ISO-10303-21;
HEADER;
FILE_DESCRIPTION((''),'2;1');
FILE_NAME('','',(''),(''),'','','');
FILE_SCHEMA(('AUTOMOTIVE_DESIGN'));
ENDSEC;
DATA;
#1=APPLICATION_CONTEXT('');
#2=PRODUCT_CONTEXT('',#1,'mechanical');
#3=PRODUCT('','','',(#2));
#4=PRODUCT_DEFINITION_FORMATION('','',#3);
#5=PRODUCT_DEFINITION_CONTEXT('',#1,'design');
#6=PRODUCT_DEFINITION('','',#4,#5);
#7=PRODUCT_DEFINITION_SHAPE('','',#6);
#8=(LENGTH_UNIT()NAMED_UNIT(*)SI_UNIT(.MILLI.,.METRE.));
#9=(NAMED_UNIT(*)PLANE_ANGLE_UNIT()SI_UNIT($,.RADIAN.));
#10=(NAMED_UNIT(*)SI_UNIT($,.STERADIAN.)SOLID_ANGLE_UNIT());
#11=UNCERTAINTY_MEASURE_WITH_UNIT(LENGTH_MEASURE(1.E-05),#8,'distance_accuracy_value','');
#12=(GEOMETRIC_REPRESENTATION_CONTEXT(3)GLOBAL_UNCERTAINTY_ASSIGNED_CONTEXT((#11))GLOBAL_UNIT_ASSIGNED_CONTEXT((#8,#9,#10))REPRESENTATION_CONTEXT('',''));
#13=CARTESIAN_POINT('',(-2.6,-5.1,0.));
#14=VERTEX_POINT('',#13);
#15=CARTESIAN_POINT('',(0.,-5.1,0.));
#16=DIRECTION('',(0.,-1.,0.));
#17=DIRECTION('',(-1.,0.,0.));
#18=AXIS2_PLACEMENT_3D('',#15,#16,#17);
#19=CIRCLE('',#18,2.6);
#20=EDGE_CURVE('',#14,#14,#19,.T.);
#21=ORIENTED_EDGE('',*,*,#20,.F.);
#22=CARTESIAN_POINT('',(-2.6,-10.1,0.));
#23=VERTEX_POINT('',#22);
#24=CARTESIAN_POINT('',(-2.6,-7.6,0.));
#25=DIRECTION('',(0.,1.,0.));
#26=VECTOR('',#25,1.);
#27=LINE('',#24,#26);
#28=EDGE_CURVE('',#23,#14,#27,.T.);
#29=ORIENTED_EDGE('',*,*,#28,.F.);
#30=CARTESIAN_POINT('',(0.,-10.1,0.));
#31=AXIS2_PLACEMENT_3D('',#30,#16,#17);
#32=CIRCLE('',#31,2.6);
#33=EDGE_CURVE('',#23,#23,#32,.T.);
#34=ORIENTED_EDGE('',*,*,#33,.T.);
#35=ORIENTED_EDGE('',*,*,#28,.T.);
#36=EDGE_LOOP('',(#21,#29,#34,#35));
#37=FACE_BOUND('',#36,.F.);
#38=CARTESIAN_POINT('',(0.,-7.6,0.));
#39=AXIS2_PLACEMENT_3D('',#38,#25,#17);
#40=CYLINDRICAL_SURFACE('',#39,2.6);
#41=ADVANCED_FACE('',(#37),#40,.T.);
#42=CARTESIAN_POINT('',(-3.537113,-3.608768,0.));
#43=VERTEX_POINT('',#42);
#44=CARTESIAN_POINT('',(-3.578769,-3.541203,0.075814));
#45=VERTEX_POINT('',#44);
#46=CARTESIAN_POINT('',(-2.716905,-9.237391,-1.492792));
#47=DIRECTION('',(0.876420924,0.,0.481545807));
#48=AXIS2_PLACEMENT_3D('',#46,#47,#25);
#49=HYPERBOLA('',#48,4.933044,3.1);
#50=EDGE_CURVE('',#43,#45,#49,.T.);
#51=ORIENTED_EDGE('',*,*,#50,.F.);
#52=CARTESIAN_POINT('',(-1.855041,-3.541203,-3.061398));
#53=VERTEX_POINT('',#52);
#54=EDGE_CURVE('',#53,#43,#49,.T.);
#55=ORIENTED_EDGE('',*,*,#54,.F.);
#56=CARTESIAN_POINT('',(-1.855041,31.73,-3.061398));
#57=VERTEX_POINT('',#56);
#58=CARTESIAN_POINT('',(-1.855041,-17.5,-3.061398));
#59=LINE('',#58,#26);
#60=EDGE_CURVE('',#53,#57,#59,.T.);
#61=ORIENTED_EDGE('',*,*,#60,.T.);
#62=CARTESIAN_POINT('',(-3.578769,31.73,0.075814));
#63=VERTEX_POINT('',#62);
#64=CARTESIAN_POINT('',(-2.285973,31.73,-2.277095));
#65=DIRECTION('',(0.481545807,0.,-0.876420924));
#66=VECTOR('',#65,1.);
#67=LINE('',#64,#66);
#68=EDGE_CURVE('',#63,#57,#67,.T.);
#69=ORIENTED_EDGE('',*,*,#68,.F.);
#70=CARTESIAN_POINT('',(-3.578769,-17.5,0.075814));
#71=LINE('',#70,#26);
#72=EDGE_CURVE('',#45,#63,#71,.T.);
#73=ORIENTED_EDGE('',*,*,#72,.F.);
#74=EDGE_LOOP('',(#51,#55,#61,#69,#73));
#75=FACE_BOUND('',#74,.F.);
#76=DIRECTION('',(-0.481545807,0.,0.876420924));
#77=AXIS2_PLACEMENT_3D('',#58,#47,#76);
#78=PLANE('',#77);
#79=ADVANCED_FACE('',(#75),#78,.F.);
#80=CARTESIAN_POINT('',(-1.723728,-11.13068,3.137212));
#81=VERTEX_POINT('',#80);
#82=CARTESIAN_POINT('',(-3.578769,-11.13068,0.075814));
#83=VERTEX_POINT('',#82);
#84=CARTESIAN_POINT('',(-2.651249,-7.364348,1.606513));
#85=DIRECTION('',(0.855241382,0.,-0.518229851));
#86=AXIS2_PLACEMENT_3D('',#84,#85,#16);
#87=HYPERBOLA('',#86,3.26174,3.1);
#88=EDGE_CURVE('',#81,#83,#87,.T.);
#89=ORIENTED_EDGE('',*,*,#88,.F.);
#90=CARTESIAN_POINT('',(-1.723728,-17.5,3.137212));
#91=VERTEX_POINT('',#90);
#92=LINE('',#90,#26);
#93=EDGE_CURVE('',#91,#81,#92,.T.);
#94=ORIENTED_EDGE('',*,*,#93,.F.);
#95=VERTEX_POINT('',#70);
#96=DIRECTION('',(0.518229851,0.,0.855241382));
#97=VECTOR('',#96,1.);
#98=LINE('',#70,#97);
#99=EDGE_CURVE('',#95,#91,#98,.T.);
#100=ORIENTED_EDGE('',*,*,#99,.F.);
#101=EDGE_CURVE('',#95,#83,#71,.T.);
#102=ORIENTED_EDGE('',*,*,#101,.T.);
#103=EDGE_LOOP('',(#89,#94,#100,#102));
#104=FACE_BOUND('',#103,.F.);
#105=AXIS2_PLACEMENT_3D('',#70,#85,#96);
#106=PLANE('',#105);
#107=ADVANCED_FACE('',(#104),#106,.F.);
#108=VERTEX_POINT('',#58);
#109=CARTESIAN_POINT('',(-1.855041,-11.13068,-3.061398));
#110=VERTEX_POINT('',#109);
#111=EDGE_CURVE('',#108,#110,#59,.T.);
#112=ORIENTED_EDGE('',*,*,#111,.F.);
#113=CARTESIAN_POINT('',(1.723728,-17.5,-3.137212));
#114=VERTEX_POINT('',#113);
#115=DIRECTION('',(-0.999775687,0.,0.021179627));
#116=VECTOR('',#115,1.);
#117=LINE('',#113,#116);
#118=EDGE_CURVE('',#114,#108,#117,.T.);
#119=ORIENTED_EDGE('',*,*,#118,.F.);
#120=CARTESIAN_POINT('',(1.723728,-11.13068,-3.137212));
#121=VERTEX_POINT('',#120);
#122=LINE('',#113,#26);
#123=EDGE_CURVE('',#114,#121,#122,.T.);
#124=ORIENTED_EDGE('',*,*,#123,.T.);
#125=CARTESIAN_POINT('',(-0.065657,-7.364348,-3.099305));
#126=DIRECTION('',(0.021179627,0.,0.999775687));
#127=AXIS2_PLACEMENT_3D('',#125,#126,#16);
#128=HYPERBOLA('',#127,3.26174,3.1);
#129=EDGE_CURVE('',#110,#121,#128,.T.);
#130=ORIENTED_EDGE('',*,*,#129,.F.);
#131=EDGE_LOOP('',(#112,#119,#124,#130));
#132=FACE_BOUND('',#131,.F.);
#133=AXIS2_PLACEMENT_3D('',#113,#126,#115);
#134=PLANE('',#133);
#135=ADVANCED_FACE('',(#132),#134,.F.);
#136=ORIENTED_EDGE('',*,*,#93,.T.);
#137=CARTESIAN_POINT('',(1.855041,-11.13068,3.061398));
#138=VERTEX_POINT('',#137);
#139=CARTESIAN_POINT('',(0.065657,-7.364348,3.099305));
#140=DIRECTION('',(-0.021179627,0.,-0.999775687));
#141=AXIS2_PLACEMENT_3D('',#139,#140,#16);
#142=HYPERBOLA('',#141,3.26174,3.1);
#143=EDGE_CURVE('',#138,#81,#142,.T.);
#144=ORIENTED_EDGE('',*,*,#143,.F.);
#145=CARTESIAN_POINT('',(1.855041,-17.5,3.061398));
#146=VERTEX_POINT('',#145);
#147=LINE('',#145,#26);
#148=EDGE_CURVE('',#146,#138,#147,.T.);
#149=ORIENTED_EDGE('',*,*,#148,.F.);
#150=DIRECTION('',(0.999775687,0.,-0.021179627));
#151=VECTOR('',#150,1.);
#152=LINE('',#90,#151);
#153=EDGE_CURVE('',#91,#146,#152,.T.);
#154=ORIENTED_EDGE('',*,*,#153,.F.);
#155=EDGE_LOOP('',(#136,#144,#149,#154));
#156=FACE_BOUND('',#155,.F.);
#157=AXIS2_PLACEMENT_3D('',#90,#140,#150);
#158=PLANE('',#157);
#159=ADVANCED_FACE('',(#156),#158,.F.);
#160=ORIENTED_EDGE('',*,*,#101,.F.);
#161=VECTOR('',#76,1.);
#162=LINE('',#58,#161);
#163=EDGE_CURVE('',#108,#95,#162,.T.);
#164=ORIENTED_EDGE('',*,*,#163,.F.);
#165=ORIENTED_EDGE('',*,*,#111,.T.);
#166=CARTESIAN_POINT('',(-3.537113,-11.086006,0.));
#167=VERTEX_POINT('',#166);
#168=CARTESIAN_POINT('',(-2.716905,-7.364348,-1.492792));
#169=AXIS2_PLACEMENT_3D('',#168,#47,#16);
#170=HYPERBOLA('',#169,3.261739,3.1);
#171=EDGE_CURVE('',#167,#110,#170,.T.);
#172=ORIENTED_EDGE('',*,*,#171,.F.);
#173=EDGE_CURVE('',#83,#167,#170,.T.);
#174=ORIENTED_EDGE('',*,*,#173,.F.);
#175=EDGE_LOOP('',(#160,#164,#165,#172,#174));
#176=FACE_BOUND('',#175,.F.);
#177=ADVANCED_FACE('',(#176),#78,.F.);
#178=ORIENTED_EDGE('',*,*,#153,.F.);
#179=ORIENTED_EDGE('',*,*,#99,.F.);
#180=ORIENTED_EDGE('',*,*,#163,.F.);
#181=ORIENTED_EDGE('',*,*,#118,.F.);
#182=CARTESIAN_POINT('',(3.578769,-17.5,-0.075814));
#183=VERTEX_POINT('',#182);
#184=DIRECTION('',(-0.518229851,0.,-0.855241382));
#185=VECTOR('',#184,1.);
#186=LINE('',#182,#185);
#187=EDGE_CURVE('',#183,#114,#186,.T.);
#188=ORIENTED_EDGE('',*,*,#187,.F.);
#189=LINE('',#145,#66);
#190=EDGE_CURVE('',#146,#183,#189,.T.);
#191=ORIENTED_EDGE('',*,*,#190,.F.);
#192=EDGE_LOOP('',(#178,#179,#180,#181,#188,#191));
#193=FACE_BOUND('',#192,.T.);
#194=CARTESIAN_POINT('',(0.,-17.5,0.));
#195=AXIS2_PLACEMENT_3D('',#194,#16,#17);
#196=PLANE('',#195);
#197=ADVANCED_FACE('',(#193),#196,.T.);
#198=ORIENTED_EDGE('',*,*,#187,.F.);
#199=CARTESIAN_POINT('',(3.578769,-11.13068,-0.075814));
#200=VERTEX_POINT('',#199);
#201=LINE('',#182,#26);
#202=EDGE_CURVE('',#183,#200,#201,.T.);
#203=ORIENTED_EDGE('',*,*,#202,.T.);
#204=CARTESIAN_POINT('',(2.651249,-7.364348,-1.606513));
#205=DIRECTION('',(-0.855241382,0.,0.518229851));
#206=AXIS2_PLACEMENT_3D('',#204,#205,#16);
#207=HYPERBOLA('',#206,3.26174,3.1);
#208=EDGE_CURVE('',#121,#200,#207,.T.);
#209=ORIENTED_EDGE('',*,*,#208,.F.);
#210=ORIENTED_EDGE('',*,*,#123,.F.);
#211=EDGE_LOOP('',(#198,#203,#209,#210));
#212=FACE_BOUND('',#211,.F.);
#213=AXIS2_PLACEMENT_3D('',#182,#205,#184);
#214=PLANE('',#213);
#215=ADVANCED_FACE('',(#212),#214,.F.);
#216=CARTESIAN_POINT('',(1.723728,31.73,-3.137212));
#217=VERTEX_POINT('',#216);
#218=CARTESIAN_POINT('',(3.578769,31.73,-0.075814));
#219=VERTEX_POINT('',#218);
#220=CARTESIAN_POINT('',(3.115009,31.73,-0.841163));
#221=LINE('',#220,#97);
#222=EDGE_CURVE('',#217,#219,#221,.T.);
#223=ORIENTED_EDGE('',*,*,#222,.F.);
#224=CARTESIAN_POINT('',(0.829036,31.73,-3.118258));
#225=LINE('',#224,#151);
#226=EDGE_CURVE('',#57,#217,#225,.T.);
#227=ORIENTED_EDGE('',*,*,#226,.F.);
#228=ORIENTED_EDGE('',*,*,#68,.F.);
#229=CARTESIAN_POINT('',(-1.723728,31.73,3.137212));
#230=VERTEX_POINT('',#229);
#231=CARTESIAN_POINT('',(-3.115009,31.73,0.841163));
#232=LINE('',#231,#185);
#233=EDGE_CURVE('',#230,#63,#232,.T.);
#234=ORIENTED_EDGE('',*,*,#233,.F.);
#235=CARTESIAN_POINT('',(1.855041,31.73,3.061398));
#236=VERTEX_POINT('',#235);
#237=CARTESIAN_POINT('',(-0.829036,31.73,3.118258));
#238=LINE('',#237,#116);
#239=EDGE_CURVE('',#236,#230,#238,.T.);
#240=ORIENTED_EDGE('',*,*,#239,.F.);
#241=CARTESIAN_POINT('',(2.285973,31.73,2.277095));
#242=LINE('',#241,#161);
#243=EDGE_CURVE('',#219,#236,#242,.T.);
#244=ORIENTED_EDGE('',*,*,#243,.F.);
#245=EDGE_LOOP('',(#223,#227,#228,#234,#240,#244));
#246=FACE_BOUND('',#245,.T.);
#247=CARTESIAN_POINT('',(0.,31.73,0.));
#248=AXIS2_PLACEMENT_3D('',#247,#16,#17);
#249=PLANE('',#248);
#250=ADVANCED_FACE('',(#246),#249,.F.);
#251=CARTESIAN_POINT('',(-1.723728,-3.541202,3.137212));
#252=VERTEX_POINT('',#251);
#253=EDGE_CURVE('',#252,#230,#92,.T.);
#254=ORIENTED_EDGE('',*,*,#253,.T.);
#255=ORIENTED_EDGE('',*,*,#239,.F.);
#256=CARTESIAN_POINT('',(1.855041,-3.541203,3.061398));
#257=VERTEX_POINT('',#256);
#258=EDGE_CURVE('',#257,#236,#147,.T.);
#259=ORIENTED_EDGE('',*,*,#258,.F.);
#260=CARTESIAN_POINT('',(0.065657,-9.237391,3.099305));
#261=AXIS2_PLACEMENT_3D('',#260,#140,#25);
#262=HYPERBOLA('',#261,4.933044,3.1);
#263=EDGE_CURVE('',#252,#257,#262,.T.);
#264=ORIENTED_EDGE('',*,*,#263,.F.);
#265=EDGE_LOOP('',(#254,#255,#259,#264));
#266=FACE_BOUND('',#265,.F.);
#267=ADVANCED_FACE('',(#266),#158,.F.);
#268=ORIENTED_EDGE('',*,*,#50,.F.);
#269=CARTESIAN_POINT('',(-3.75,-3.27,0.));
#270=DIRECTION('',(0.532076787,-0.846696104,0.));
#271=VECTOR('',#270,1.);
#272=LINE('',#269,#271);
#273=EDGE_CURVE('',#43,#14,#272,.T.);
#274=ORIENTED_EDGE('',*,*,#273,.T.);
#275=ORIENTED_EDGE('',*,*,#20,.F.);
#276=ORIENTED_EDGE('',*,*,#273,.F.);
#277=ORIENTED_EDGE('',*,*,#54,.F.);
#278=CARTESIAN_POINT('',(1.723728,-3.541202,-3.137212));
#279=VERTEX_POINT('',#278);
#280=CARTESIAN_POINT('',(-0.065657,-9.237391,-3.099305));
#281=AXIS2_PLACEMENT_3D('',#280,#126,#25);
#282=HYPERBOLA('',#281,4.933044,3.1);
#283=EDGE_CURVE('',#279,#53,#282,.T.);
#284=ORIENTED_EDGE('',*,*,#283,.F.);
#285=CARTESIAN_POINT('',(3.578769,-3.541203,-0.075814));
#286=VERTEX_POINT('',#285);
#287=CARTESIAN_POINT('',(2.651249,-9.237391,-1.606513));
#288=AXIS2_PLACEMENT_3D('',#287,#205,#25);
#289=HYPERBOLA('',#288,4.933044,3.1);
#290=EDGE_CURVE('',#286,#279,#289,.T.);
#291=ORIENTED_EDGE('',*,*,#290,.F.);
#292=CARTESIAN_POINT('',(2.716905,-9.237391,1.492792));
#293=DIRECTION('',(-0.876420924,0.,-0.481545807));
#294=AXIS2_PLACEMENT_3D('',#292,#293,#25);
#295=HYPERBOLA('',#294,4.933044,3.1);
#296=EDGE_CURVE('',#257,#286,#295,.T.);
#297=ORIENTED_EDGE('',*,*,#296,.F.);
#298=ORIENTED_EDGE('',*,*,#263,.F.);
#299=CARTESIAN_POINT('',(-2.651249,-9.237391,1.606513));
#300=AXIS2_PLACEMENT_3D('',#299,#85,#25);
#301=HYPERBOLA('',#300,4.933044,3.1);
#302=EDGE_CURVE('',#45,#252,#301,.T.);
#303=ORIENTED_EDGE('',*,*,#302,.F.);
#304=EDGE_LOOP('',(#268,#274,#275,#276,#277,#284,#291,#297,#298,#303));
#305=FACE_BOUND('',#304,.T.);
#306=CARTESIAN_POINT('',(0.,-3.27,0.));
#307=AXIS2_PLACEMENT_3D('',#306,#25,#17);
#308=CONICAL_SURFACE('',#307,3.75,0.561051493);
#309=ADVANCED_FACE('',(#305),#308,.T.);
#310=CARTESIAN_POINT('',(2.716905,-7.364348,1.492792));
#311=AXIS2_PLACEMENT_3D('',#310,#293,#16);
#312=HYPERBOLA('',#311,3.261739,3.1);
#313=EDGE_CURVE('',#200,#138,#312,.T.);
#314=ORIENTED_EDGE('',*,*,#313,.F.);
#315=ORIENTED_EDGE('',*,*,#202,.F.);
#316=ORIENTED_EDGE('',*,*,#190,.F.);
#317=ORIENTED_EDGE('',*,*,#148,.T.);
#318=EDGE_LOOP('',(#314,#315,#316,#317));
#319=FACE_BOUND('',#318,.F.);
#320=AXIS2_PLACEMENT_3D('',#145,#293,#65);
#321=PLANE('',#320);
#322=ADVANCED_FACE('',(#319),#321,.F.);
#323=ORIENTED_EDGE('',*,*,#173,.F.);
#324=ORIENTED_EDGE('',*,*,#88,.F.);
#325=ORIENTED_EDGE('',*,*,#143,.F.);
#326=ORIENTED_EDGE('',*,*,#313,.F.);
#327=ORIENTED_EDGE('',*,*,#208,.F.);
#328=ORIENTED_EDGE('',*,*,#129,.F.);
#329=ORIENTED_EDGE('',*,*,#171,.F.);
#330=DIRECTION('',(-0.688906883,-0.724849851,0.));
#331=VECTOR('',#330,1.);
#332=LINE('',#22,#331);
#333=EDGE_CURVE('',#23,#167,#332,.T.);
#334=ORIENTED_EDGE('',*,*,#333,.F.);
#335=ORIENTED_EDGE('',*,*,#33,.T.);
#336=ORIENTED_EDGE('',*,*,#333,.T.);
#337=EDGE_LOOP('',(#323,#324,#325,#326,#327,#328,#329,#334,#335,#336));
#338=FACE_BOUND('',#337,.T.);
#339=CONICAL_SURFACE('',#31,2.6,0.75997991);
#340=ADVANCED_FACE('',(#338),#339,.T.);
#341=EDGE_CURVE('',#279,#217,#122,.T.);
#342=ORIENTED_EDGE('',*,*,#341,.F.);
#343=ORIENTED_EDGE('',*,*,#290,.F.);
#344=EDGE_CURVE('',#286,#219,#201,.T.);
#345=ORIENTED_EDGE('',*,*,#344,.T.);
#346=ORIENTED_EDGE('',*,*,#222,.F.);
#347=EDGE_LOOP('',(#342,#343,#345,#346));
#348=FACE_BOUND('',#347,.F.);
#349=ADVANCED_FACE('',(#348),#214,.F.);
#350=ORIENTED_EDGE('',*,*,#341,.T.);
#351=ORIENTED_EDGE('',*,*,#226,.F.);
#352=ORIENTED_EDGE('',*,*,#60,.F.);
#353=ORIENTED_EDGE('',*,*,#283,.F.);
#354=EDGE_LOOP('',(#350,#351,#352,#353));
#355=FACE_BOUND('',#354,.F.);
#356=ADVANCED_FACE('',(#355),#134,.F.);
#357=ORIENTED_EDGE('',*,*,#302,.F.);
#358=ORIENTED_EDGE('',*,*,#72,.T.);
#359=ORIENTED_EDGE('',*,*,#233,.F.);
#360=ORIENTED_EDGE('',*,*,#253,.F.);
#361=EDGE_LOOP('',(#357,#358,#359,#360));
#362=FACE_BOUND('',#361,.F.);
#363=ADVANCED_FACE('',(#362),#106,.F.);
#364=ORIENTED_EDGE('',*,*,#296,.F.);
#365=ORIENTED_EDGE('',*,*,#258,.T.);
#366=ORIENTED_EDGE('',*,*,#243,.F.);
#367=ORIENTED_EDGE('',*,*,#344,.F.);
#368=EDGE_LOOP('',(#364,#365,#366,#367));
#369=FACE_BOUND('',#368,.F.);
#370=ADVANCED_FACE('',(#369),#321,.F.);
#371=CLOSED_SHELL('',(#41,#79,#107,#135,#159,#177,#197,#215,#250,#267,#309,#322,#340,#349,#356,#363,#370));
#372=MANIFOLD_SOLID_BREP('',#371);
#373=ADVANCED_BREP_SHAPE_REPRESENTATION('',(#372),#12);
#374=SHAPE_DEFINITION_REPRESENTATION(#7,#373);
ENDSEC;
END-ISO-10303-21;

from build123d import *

# Parameters (mm, degrees)
F0_W     = 2.6
F0_H     = 5
F2_R     = 3.75
F3_DEPTH = 65


with BuildPart() as f1:
    # F0 (on Top) → F1 (revolve)
    with BuildSketch(Plane.XY):
        Polygon((-2.6, -5.1), (0, -5.1), (0, 31.73), (-3.75, 31.73), (-3.75, 17.5), (-3.75, -3.27), align=None)
        with Locations((-1.3, -7.6)):
            Rectangle(F0_W, F0_H)
        Polygon((-3.75, -11.31), (-3.75, -17.5), (0, -17.5), (0, -10.1), (-2.6, -10.1), align=None)
    revolve(axis=Axis((0, 7.115, 0), (0, -1, 0)))

    # F2 (on face) → F3 (cut)
    with BuildSketch(Plane.XZ.offset(17.5)):
        Circle(F2_R)
        Polygon((-3.578769, 0.075814), (-1.723728, 3.137212), (1.855041, 3.061398), (3.578769, -0.075814), (1.723728, -3.137212), (-1.855041, -3.061398), align=None, mode=Mode.SUBTRACT)
    extrude(amount=-F3_DEPTH, mode=Mode.SUBTRACT)


solid = f1.part
